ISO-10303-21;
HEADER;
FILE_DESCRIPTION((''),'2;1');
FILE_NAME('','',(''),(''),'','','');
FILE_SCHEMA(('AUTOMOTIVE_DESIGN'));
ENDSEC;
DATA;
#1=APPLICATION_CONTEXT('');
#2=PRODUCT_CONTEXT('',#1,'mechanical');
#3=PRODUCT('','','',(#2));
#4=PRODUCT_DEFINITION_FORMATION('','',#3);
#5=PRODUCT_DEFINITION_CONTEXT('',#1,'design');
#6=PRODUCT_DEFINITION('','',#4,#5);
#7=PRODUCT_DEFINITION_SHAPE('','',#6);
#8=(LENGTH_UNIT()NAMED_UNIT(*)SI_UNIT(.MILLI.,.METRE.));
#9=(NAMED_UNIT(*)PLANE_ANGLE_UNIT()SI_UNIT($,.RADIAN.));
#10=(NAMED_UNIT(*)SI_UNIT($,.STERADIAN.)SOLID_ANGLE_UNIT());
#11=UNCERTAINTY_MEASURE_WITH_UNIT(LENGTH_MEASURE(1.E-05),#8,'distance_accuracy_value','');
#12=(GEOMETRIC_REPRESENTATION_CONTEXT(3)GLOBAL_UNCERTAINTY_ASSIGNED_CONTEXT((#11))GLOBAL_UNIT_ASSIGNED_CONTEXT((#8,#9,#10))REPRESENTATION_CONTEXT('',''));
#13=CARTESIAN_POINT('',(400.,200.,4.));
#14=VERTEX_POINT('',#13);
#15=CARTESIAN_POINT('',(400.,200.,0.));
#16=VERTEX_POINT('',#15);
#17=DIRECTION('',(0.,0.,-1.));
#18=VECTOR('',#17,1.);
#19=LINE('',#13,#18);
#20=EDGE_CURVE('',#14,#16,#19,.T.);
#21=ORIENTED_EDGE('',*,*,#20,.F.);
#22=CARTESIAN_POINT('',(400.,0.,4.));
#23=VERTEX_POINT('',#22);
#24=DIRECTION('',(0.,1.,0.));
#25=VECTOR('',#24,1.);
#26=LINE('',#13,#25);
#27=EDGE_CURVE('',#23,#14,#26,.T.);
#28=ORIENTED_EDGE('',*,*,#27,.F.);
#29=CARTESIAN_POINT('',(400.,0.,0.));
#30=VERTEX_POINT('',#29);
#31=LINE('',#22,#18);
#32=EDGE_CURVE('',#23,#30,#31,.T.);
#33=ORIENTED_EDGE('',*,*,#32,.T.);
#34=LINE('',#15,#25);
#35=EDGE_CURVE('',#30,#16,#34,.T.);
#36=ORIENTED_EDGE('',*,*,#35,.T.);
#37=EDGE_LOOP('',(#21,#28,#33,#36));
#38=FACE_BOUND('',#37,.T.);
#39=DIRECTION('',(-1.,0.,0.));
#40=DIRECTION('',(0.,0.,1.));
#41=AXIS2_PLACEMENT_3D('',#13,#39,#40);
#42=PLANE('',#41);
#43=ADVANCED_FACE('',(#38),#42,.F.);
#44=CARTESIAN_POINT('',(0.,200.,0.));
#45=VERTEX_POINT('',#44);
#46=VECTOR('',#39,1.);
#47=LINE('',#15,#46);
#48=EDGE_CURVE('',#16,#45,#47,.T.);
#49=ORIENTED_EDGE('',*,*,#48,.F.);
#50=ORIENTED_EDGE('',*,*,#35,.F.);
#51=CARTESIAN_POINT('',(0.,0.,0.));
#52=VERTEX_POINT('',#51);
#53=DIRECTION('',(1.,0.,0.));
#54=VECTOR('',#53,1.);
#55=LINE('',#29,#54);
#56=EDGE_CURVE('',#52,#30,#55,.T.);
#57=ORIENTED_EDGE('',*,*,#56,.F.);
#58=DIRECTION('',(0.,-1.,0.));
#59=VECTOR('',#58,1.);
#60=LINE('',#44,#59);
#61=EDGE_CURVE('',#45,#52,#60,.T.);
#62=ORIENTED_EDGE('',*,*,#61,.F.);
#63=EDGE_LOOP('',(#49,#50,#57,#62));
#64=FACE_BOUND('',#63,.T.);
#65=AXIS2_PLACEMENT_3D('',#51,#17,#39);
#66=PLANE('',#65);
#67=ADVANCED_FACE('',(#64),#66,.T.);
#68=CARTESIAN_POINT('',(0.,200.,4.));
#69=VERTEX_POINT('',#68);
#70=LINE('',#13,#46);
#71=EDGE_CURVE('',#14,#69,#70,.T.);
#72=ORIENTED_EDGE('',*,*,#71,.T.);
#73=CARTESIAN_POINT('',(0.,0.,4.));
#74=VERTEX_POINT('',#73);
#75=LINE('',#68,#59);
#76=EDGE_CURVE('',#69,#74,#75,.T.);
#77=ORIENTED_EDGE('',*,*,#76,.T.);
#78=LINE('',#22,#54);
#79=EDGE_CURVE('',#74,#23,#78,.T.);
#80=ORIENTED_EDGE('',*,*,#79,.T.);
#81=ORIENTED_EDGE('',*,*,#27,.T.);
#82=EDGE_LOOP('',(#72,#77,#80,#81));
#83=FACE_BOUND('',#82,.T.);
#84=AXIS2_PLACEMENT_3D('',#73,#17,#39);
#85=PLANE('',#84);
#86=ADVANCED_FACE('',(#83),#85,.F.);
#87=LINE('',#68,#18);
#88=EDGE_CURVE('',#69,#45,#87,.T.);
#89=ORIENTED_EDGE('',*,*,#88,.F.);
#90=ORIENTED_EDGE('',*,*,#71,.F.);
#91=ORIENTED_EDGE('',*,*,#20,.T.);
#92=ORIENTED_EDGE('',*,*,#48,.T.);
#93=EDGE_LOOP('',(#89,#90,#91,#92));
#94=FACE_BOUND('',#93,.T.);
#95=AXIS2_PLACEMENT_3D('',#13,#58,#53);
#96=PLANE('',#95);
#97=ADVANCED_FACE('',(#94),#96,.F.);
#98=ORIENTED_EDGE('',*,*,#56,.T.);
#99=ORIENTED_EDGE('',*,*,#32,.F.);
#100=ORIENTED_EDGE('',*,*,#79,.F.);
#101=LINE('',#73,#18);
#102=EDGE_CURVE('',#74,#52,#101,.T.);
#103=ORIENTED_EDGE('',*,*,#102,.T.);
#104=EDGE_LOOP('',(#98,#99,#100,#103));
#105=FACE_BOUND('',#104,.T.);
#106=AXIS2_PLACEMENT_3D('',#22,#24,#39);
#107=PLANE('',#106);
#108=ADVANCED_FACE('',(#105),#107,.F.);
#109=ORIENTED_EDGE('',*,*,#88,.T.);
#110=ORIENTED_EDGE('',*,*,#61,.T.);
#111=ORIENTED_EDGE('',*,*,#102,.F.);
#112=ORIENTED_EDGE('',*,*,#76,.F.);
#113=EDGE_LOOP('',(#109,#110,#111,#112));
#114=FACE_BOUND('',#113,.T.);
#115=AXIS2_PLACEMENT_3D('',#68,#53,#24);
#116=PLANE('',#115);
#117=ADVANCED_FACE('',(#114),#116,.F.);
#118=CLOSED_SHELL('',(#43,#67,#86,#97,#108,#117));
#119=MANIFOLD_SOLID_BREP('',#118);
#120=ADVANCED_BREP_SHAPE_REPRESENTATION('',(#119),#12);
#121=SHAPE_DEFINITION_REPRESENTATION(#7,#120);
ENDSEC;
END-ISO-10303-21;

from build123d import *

# Parameters (mm, degrees)
SKETCH1_W           = 400
SKETCH1_H           = 200
BOSS_EXTRUDE1_DEPTH = 4


with BuildPart() as part:
    # Sketch1 → Boss-Extrude1 (new body)
    with BuildSketch(Plane.XY):
        with Locations((200, 100)):
            Rectangle(SKETCH1_W, SKETCH1_H)
    extrude(amount=BOSS_EXTRUDE1_DEPTH)


solid = part.part
